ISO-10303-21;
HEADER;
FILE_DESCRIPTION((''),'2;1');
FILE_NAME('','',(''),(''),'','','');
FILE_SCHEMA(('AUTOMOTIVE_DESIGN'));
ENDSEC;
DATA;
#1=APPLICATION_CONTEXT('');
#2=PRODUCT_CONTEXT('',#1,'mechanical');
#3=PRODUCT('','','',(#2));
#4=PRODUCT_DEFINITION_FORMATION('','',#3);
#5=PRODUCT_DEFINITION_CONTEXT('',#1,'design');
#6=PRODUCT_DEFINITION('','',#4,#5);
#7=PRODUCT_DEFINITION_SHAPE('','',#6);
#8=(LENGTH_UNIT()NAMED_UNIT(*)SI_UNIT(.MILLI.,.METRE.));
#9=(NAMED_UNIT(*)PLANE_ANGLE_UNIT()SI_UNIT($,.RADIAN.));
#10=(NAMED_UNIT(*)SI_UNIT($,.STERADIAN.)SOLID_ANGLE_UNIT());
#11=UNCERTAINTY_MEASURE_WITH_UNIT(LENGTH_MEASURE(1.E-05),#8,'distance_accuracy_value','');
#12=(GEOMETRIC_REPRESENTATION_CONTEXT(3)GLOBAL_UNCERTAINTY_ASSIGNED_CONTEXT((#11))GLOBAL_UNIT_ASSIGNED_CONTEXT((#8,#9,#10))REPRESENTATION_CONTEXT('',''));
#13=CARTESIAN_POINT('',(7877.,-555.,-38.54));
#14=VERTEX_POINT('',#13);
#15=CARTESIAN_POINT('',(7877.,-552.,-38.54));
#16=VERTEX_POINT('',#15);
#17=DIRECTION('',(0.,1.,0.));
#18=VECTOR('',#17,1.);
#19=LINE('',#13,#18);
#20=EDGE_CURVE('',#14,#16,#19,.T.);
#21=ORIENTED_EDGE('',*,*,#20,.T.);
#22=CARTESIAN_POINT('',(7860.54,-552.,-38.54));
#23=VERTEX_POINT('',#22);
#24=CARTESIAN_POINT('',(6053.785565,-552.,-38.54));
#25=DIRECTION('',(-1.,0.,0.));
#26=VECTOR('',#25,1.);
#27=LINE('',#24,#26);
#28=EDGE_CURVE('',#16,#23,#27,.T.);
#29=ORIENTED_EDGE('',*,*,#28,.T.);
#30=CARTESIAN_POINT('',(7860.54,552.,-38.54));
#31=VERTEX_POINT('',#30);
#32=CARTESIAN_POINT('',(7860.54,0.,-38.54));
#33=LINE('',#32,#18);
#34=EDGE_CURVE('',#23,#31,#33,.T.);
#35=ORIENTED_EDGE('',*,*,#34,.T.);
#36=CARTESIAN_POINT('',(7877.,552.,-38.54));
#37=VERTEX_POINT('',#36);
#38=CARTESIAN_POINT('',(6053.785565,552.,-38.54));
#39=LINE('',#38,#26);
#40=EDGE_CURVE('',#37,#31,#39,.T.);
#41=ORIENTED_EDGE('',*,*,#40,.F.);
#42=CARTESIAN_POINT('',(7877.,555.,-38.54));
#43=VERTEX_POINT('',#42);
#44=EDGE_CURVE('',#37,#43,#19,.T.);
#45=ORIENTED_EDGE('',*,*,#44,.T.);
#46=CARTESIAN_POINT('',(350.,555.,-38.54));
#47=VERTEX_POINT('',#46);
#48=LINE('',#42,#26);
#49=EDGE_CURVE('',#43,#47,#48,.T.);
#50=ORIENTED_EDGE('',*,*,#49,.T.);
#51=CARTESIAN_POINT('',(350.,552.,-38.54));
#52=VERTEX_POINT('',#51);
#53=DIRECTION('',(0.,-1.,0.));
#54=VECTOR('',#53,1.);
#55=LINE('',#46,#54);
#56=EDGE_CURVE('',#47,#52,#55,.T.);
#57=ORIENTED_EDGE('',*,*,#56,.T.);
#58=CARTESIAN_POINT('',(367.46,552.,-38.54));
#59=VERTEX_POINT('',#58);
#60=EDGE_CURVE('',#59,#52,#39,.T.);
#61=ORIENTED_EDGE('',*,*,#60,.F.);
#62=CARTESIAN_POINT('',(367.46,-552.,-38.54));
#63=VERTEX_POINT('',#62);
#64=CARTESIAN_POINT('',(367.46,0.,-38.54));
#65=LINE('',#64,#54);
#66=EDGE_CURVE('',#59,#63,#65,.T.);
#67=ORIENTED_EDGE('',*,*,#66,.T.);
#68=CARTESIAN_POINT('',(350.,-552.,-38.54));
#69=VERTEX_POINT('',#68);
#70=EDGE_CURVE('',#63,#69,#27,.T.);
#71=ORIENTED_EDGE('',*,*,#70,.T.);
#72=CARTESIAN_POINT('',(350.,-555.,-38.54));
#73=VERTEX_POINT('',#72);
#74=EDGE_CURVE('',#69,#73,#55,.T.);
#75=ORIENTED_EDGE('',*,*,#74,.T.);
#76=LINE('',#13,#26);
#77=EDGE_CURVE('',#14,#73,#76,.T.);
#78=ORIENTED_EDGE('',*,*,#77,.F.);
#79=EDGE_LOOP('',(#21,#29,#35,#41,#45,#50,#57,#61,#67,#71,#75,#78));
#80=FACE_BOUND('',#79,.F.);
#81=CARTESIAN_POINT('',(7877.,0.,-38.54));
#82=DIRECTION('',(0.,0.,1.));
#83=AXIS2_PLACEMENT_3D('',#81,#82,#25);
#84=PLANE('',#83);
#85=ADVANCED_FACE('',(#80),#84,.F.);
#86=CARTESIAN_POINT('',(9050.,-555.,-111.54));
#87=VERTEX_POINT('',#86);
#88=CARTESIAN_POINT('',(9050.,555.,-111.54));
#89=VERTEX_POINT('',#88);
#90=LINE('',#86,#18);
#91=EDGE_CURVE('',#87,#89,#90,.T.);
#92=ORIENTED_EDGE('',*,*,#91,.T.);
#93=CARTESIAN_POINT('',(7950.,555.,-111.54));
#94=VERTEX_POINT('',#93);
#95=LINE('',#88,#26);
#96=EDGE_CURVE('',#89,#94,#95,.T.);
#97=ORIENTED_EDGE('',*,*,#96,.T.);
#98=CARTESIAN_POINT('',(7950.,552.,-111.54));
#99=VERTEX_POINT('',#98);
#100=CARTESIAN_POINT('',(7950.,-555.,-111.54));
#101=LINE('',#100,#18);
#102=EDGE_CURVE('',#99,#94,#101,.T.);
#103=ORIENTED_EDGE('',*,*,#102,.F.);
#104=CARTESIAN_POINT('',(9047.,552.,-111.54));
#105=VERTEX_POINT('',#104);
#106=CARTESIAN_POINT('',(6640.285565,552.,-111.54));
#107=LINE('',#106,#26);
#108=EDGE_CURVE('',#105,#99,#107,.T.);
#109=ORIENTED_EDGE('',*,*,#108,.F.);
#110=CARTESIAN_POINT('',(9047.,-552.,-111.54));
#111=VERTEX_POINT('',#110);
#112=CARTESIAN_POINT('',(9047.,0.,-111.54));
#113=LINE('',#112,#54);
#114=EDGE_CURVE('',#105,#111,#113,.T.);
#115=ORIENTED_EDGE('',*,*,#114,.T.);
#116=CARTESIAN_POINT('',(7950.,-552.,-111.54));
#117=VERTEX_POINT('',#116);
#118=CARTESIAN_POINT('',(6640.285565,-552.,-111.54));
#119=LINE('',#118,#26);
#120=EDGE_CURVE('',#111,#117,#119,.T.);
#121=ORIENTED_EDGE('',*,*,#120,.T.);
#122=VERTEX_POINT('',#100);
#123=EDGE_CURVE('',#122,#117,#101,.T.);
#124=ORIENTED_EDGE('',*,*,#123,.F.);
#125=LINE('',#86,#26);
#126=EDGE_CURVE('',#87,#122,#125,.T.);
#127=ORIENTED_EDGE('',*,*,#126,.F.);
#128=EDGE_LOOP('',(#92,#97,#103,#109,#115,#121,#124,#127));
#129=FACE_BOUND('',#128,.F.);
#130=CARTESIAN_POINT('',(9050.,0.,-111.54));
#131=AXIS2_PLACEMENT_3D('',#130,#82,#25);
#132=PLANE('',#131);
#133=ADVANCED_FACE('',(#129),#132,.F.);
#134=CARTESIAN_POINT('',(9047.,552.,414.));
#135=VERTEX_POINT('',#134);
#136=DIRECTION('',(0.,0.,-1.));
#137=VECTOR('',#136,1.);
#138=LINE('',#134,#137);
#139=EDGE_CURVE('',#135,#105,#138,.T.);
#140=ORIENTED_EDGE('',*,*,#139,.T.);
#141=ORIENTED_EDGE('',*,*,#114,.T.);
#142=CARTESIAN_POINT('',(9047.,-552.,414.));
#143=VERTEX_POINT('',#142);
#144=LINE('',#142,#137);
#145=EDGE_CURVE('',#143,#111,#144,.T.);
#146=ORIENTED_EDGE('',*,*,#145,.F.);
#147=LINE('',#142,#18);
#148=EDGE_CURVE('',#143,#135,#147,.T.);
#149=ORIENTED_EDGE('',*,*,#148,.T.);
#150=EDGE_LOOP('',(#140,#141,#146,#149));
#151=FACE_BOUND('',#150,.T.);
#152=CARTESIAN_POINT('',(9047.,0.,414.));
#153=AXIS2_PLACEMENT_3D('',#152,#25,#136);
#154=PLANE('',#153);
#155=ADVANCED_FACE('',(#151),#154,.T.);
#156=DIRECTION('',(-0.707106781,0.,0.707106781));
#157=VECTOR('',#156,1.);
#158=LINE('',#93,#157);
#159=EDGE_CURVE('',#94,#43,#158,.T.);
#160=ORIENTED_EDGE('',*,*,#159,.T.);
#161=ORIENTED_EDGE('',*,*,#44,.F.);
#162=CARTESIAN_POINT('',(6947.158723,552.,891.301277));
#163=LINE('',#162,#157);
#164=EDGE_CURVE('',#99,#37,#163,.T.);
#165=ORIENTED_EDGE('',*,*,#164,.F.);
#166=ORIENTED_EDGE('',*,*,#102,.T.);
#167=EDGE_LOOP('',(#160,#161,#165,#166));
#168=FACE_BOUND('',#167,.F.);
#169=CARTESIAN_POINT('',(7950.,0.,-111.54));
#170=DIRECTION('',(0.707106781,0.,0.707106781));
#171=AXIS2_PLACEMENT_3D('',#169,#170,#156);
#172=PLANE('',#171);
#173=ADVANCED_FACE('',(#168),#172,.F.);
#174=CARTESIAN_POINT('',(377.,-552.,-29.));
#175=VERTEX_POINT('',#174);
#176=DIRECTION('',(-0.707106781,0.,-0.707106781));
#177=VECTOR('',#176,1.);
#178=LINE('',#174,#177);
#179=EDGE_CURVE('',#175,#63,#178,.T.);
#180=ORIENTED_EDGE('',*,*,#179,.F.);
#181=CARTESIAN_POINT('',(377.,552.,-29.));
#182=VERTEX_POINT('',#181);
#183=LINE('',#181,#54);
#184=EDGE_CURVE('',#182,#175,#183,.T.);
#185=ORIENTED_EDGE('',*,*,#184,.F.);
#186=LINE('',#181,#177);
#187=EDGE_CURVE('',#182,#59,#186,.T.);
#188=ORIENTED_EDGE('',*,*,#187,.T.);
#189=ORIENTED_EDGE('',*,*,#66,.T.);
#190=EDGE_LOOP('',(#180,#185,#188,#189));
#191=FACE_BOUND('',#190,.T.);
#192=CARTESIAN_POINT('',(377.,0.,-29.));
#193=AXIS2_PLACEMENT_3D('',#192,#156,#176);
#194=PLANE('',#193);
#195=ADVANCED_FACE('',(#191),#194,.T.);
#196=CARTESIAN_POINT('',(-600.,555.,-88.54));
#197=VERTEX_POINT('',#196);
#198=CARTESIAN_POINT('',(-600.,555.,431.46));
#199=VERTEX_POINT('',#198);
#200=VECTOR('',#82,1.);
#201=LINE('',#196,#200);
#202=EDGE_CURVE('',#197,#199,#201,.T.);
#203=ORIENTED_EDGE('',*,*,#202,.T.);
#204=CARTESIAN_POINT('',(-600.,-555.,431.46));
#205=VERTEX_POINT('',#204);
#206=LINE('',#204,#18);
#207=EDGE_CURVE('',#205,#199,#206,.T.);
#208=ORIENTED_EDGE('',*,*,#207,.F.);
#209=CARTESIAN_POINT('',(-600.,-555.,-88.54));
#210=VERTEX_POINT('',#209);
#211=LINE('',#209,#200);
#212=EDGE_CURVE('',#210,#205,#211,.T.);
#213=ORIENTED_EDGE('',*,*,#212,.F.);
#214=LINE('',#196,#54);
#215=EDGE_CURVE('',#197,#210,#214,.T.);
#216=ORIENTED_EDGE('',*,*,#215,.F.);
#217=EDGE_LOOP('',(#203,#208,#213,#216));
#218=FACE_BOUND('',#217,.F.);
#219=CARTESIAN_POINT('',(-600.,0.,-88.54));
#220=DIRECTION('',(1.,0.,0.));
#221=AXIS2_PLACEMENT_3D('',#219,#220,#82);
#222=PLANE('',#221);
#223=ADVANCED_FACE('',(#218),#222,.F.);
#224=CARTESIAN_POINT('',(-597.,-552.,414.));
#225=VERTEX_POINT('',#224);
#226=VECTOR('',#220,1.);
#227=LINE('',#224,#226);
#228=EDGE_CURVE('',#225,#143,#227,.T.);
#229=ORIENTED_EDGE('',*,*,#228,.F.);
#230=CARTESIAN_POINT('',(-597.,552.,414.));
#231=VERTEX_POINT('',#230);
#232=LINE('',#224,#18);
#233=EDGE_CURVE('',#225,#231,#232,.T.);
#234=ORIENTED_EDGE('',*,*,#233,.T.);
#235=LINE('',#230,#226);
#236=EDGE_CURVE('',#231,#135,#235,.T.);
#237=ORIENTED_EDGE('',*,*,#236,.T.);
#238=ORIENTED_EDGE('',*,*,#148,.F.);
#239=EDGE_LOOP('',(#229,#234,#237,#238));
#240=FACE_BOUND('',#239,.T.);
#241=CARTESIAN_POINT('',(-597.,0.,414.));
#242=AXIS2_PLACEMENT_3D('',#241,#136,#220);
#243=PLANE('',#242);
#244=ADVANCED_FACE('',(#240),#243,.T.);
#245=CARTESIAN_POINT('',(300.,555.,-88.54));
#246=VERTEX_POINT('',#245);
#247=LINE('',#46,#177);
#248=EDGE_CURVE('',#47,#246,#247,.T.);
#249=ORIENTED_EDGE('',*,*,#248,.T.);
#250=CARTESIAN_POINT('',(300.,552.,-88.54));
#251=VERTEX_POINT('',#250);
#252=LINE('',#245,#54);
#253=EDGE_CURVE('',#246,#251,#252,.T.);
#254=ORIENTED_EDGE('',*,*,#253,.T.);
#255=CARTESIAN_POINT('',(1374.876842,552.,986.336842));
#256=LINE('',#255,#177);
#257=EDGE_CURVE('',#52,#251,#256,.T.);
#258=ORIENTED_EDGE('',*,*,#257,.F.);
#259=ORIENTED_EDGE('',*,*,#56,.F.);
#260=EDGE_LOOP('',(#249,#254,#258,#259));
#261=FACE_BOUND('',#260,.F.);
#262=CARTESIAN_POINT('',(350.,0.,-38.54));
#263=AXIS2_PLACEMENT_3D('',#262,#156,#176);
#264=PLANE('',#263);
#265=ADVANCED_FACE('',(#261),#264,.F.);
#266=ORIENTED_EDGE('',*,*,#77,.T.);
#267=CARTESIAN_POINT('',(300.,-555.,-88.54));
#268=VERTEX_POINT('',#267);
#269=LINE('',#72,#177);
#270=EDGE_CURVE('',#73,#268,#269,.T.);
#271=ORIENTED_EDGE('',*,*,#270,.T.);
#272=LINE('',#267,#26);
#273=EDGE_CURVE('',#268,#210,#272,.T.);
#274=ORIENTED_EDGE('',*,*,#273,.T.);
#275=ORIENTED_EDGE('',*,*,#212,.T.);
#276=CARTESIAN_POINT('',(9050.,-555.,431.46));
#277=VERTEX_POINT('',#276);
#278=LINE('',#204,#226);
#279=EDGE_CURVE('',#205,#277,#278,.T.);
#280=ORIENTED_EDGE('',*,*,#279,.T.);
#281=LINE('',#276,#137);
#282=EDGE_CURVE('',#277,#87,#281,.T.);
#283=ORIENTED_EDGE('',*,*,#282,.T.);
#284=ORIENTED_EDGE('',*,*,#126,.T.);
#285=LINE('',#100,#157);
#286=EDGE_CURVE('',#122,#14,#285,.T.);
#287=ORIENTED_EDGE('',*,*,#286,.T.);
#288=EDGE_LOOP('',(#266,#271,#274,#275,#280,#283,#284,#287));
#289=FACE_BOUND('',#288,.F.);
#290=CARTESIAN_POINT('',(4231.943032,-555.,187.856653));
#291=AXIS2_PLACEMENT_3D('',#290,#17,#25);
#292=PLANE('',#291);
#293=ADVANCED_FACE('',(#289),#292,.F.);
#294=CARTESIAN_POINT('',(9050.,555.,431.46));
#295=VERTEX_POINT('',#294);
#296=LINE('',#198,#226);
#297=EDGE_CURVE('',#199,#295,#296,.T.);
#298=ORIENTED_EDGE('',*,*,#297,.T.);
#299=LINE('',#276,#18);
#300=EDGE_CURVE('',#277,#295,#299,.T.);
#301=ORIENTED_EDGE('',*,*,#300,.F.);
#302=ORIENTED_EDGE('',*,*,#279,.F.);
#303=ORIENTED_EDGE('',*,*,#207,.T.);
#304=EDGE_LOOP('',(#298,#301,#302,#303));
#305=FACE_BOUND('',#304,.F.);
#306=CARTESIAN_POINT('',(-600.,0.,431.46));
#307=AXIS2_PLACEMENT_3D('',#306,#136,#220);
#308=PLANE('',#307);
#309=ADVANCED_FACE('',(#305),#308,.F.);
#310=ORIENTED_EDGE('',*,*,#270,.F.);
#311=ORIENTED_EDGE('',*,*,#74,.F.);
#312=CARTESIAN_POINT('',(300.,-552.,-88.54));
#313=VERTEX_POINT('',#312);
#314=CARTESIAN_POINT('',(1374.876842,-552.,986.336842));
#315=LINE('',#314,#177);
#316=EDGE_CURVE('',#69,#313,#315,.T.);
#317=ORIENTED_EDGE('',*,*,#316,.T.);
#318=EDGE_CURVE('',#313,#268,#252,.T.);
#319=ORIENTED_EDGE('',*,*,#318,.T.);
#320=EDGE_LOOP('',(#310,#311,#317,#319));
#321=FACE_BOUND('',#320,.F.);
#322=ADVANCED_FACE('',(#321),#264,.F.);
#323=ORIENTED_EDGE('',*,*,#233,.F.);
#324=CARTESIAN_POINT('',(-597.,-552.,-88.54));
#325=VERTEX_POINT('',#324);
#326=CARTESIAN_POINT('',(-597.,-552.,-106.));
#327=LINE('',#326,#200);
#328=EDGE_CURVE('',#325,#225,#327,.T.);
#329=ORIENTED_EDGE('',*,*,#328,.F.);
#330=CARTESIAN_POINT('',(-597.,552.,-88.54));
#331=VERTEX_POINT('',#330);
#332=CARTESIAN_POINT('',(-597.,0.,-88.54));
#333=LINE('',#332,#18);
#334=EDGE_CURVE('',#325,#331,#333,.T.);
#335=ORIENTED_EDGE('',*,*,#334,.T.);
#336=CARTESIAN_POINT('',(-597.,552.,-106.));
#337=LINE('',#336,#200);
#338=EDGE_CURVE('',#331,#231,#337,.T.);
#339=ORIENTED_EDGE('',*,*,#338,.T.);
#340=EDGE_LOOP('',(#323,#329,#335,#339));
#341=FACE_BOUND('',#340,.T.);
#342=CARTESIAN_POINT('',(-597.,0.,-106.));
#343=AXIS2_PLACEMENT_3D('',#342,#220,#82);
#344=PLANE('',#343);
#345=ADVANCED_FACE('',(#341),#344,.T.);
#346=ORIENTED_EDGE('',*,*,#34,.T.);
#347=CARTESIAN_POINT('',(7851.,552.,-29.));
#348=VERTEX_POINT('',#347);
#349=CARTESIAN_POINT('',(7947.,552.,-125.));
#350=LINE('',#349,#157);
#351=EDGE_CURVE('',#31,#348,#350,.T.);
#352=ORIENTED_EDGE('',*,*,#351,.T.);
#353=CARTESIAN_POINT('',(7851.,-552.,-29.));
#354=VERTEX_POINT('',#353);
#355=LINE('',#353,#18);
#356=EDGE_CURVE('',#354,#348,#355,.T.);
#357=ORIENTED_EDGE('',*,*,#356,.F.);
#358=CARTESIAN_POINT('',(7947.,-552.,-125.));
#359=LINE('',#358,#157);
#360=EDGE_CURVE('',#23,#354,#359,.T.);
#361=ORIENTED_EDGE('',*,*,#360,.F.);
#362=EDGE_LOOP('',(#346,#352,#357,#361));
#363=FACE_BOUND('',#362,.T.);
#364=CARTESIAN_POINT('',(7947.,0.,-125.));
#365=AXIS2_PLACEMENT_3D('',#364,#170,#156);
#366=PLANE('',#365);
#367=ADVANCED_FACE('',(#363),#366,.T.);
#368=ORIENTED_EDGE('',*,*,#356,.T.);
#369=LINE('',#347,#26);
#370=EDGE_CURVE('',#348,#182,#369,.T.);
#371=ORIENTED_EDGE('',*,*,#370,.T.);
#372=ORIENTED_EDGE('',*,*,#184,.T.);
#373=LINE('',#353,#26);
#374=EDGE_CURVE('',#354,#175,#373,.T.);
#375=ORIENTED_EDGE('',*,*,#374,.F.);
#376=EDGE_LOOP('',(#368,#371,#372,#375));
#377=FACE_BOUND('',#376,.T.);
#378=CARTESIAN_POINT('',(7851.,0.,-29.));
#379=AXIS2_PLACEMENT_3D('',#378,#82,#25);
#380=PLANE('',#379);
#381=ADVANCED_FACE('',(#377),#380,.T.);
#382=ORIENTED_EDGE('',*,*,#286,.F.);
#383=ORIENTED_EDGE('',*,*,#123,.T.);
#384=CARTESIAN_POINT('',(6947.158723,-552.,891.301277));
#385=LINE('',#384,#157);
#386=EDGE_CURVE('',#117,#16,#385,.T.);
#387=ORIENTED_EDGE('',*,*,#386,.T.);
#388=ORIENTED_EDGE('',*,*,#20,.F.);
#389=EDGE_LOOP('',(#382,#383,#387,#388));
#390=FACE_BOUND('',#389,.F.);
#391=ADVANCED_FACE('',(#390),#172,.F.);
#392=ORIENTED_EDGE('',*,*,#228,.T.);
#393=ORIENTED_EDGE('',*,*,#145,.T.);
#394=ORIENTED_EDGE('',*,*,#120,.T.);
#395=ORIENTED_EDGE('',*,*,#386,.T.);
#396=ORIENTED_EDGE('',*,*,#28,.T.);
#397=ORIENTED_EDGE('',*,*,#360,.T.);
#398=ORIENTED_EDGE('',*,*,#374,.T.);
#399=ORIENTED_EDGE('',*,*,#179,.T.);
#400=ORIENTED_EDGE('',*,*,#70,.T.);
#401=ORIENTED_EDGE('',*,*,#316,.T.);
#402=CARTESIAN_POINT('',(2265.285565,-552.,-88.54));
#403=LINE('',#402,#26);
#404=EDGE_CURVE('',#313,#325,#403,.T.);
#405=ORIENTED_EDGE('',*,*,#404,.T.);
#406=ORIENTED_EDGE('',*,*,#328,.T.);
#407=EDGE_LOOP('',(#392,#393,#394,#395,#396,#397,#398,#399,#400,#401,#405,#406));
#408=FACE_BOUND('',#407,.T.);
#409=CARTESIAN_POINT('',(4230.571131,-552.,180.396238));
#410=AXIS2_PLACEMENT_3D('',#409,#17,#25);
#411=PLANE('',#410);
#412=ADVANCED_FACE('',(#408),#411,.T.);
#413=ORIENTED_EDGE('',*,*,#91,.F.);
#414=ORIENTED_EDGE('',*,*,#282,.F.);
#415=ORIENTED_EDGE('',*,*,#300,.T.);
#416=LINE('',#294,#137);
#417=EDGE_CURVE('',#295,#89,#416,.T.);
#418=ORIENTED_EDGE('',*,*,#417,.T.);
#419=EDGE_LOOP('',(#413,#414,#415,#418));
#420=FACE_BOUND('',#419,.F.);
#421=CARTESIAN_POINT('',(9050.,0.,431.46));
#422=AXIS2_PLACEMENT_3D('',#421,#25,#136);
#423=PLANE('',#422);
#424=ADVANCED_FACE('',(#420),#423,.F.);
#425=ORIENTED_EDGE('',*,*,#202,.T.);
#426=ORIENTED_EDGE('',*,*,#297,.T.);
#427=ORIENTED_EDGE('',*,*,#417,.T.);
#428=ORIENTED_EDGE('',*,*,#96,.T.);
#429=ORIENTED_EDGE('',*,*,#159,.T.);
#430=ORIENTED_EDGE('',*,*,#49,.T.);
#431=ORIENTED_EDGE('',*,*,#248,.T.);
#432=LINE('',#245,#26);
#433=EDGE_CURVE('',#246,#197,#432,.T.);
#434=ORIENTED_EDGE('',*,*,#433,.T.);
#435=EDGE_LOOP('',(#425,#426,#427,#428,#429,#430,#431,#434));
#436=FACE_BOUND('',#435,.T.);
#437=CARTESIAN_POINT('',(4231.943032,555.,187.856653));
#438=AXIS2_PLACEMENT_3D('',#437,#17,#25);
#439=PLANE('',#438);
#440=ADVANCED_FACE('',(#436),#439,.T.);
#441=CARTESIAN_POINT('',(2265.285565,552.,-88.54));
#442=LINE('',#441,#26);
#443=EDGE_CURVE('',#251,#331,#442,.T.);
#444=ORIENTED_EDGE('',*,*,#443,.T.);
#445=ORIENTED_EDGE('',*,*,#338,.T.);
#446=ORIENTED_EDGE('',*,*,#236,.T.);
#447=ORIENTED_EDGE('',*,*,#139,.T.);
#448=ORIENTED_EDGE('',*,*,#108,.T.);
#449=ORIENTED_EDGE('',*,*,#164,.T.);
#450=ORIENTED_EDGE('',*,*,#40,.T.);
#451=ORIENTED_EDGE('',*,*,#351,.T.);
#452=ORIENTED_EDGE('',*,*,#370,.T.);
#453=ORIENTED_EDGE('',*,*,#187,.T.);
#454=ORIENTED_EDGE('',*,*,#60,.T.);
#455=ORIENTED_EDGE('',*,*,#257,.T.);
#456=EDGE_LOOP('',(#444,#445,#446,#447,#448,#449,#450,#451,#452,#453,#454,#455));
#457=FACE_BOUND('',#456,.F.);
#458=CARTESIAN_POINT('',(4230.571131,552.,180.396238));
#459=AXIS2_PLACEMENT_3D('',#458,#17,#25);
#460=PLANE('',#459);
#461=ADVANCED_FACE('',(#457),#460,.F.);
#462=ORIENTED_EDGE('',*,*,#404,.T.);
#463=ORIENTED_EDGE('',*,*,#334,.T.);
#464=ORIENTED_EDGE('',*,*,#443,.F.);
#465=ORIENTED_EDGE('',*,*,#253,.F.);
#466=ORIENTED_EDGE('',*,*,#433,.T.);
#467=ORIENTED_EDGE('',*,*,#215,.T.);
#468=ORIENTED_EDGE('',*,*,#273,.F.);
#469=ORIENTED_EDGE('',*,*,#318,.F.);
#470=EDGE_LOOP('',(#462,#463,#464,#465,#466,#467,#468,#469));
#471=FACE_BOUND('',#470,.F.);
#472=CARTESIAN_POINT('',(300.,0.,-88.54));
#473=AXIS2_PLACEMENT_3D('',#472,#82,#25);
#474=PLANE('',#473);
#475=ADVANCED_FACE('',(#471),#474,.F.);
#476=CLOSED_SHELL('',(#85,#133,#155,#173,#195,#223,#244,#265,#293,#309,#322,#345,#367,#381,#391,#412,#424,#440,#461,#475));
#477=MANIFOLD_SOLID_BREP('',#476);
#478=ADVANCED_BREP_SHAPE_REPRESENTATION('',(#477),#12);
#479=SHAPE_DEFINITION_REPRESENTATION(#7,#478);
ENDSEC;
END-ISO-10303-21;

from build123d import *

# Parameters (mm, degrees)
EXTRUDE032_DEPTH = 552
EXTRUDE012_DEPTH = 555


with BuildPart() as extrude032:
    # Sketch033 → Extrude032 (new body, symmetric)
    with BuildSketch(Plane.XZ):
        Polygon((-597, -103), (-597, 417), (9047, 417), (9047, -122), (7947, -122), (7851, -26), (377, -26), (300, -103), align=None)
    extrude(amount=EXTRUDE032_DEPTH, both=True)


with BuildPart() as extrude032_1:
    # Extrude032 placement: moved
    add(extrude032.part.moved(Location((0, 0, -3))))


with BuildPart() as cut003:
    # Sketch020 → Extrude012 (new body, symmetric)
    with BuildSketch(Plane.XZ):
        Polygon((-600, -88.54), (-600, 431.46), (9050, 431.46), (9050, -111.54), (7950, -111.54), (7877, -38.54), (350, -38.54), (300, -88.54), align=None)
    extrude(amount=EXTRUDE012_DEPTH, both=True)

    # Cut003: cut Extrude032
    add(extrude032_1.part, mode=Mode.SUBTRACT)


solid = cut003.part
